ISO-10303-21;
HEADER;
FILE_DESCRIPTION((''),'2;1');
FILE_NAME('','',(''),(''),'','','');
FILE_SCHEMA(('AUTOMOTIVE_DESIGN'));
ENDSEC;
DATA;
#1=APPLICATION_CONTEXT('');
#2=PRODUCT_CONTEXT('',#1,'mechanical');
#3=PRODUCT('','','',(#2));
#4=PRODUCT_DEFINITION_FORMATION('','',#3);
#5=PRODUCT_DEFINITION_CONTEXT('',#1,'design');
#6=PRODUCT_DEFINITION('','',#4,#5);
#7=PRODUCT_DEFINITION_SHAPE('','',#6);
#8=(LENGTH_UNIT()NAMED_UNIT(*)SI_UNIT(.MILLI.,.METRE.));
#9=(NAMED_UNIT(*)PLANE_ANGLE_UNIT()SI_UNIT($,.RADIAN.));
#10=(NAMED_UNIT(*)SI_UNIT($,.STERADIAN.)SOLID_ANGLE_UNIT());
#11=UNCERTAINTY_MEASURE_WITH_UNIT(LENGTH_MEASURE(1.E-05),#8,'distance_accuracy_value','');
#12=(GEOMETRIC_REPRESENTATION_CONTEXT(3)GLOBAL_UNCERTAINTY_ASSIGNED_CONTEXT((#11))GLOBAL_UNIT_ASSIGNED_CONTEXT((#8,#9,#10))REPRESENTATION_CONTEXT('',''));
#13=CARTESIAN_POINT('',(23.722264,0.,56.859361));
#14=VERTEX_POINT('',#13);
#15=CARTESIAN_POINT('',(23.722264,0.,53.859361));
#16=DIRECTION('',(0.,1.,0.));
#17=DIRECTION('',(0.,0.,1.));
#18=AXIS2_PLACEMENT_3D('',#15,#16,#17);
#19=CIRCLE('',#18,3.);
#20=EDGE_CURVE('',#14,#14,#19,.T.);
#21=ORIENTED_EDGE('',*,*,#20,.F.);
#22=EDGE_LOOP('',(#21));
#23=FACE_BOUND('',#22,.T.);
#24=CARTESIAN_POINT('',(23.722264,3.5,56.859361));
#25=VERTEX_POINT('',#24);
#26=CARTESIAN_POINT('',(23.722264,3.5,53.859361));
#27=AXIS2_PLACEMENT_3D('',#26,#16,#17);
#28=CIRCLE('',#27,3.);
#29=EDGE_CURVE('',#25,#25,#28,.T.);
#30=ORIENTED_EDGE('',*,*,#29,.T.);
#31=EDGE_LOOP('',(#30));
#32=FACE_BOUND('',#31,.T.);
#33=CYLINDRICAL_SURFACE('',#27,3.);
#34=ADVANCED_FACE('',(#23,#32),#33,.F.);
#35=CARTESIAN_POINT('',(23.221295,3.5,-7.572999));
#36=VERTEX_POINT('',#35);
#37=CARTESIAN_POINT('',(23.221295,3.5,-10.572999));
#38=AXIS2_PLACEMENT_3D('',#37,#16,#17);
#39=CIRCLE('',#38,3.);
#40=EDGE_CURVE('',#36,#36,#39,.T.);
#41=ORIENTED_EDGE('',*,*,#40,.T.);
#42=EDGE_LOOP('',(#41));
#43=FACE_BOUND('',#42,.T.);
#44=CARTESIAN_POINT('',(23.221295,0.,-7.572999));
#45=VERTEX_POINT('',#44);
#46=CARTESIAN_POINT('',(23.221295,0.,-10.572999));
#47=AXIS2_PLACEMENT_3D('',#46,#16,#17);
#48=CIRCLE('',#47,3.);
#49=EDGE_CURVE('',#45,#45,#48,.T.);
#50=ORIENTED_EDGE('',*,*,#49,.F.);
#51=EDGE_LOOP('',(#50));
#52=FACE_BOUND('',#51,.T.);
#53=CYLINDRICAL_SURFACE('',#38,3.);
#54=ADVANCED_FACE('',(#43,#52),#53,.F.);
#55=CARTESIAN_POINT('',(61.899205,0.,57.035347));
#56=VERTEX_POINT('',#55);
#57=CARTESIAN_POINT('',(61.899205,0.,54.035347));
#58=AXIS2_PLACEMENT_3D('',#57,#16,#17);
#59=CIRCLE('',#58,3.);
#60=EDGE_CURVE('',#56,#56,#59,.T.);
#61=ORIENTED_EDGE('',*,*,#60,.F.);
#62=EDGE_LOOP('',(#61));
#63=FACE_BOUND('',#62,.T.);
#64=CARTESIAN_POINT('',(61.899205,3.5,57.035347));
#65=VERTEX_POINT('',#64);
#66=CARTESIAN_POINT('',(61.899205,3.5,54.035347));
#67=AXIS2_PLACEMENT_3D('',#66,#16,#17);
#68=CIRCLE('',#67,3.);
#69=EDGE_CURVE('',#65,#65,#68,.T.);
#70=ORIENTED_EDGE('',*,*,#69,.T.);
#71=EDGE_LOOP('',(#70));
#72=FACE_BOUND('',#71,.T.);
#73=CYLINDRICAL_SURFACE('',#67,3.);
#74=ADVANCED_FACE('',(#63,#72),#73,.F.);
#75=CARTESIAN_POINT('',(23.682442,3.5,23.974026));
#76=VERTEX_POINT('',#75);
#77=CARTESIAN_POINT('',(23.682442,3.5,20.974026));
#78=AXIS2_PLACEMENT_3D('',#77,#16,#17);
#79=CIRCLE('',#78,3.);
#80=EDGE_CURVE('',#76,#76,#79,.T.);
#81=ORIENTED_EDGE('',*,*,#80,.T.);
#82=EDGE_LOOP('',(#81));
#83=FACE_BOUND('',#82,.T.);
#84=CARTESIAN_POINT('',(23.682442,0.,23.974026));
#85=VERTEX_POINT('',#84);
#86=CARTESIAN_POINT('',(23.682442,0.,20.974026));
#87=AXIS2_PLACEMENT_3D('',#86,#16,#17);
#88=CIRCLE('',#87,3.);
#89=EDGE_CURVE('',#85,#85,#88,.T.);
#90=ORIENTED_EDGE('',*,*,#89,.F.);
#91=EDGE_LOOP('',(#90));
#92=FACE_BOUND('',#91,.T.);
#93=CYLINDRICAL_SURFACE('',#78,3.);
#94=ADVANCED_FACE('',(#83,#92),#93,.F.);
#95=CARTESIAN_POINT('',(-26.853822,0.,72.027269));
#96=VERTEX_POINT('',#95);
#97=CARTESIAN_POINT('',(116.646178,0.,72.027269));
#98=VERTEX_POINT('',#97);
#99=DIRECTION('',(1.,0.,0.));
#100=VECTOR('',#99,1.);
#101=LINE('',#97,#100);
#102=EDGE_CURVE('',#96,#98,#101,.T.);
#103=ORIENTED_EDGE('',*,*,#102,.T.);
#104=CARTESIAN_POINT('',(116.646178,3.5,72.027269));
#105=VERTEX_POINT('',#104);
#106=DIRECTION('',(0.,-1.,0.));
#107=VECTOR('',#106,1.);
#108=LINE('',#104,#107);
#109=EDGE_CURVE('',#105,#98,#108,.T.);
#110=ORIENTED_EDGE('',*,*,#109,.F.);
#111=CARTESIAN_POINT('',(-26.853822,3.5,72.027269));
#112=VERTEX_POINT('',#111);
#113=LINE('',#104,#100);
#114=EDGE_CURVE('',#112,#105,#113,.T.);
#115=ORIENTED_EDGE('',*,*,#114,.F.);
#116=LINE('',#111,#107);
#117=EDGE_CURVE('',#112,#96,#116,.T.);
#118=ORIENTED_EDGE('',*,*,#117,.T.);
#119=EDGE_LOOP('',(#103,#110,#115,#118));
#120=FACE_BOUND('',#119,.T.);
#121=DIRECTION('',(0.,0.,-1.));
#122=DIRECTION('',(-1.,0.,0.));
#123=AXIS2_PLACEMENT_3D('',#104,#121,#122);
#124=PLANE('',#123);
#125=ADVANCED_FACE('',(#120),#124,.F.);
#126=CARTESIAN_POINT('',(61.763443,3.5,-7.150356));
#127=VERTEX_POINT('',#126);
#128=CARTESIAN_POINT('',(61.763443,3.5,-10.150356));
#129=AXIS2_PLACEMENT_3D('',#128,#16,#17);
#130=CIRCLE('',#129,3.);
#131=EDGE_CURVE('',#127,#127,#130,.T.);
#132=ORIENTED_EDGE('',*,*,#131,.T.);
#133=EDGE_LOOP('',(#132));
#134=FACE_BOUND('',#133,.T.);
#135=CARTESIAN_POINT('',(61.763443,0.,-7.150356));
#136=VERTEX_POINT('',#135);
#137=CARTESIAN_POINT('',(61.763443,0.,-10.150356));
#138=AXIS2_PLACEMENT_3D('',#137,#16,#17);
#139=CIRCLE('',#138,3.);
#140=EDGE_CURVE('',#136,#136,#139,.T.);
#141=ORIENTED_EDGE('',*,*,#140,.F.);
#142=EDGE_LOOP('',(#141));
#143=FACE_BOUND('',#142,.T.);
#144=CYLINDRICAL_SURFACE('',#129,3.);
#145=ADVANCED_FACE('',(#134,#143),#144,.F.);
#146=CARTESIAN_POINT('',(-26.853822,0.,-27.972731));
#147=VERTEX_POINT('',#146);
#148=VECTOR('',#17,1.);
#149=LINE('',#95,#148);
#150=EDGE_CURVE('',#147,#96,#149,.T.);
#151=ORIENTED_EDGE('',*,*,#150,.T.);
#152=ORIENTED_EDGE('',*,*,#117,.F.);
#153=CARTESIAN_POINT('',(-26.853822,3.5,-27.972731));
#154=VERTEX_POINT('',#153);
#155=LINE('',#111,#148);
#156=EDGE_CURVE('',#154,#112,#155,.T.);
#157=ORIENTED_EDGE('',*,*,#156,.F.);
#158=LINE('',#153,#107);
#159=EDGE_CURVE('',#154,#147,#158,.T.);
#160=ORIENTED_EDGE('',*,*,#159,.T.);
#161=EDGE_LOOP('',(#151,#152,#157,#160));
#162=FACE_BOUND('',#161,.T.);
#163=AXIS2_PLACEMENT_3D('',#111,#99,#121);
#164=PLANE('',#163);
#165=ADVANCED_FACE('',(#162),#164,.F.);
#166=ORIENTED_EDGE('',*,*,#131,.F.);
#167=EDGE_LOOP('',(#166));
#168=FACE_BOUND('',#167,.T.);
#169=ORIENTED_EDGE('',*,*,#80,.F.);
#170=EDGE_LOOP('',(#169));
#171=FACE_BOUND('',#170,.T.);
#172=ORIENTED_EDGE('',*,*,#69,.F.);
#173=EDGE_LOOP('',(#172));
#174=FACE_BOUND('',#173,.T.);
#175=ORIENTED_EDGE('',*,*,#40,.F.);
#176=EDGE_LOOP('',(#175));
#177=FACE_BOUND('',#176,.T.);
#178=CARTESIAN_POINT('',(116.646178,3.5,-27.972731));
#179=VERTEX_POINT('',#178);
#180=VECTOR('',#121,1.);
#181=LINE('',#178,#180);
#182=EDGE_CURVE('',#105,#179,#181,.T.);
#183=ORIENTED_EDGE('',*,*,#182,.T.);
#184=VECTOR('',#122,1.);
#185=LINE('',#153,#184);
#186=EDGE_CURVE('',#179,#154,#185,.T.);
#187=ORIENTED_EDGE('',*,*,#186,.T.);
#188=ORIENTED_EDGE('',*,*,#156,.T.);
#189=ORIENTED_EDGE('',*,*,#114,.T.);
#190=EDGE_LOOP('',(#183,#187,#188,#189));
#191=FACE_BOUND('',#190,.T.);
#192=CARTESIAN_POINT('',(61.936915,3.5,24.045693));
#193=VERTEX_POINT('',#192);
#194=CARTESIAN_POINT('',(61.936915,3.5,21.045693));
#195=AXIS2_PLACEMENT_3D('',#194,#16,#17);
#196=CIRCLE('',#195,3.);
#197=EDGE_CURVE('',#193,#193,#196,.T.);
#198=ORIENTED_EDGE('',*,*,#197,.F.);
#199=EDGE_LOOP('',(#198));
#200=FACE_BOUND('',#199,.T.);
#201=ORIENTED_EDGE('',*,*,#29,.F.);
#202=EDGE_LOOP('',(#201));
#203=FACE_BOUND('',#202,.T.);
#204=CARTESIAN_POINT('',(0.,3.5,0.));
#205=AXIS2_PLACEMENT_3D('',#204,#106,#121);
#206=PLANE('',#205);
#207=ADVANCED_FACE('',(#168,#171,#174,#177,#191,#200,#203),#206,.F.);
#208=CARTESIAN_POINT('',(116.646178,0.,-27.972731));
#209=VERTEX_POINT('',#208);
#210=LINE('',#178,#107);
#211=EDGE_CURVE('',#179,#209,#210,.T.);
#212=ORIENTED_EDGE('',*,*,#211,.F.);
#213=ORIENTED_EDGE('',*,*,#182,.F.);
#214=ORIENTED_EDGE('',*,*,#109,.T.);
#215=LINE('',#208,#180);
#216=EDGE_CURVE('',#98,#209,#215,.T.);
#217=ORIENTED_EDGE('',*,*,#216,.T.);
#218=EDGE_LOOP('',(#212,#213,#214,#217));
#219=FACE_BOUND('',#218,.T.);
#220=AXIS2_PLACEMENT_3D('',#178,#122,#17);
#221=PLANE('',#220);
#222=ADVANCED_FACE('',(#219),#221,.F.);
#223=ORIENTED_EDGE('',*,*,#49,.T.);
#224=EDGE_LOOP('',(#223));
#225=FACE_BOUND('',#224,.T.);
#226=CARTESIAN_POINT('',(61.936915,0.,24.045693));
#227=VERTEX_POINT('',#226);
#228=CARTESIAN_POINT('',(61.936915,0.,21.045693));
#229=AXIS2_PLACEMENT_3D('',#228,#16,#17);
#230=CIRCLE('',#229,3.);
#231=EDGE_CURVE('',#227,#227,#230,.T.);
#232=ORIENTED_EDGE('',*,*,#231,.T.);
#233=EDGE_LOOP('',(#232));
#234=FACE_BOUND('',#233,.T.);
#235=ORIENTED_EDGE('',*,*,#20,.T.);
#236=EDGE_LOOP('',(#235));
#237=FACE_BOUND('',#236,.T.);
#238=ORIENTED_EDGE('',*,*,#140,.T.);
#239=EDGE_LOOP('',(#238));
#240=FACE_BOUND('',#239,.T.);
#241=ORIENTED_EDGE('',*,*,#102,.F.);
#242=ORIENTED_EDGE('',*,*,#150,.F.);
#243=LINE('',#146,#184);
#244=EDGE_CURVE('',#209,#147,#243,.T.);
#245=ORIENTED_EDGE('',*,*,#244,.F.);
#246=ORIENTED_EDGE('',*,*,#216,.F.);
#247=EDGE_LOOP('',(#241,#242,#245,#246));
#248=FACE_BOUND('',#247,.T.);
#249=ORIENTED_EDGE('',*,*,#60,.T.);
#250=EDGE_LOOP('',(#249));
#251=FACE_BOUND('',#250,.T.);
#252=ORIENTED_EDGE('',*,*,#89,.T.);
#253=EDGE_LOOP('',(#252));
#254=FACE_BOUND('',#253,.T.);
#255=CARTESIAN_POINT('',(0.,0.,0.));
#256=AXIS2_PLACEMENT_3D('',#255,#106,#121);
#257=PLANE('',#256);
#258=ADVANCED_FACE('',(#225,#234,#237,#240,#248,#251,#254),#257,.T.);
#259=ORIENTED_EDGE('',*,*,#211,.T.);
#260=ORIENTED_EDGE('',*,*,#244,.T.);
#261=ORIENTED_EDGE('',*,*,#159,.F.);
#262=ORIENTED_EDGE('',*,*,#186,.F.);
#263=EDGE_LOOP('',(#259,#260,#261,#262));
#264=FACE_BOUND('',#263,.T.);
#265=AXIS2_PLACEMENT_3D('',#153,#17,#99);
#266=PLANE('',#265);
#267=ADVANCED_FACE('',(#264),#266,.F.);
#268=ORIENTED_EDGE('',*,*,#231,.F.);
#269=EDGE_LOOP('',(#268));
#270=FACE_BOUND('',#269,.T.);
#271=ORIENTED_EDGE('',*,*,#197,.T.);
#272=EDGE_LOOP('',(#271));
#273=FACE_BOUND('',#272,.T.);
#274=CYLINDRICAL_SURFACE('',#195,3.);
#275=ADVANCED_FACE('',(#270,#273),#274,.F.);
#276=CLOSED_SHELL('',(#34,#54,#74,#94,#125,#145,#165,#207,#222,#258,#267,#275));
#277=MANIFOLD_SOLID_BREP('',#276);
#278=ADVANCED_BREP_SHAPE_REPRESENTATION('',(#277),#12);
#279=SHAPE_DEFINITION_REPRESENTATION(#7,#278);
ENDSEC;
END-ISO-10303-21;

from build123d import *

# Parameters (mm, degrees)
SKETCH1_W             = 143.5
SKETCH1_H             = 100
BOSS_EXTRUDE1_DEPTH   = 3.5
F_6_0MM_DOWEL_HOLE1_D = 6
F_6_0MM_DOWEL_HOLE2_D = 6
F_6_0MM_DOWEL_HOLE3_D = 6
F_6_0MM_DOWEL_HOLE4_D = 6
F_6_0MM_DOWEL_HOLE5_D = 6
F_6_0MM_DOWEL_HOLE6_D = 6


with BuildPart() as part:
    # Sketch1 → Boss-Extrude1 (new body)
    with BuildSketch(Plane(origin=(0, 0, 0), x_dir=(1, 0, 0), z_dir=(0, 1, 0))):
        with Locations((44.896177875, -22.027268619)):
            Rectangle(SKETCH1_W, SKETCH1_H)
    extrude(amount=BOSS_EXTRUDE1_DEPTH)

    # Ø6.0mm Dowel Hole1 (through all)
    with Locations(Plane(origin=(237.217905301, 3.5, -102.05218535), x_dir=(0, 0, 1), z_dir=(0, 1, 0))):
        with Locations((156.087532559, -175.318700205)):
            Hole(F_6_0MM_DOWEL_HOLE1_D / 2)

    # Ø6.0mm Dowel Hole2 (through all)
    with Locations(Plane(origin=(237.217905301, 3.5, -102.05218535), x_dir=(0, 0, 1), z_dir=(0, 1, 0))):
        with Locations((123.097877986, -175.280990501)):
            Hole(F_6_0MM_DOWEL_HOLE2_D / 2)

    # Ø6.0mm Dowel Hole3 (through all)
    with Locations(Plane(origin=(237.217905301, 3.5, -102.05218535), x_dir=(0, 0, 1), z_dir=(0, 1, 0))):
        with Locations((123.026211567, -213.535463753)):
            Hole(F_6_0MM_DOWEL_HOLE3_D / 2)

    # Ø6.0mm Dowel Hole4 (through all)
    with Locations(Plane(origin=(237.217905301, 3.5, -102.05218535), x_dir=(0, 0, 1), z_dir=(0, 1, 0))):
        with Locations((155.91154644, -213.495641578)):
            Hole(F_6_0MM_DOWEL_HOLE4_D / 2)

    # Ø6.0mm Dowel Hole5 (through all)
    with Locations(Plane(origin=(237.217905301, 3.5, -102.05218535), x_dir=(0, 0, 1), z_dir=(0, 1, 0))):
        with Locations((91.479185985, -213.996610116)):
            Hole(F_6_0MM_DOWEL_HOLE5_D / 2)

    # Ø6.0mm Dowel Hole6 (through all)
    with Locations(Plane(origin=(237.217905301, 3.5, -102.05218535), x_dir=(0, 0, 1), z_dir=(0, 1, 0))):
        with Locations((91.901828901, -175.454462016)):
            Hole(F_6_0MM_DOWEL_HOLE6_D / 2)


solid = part.part
